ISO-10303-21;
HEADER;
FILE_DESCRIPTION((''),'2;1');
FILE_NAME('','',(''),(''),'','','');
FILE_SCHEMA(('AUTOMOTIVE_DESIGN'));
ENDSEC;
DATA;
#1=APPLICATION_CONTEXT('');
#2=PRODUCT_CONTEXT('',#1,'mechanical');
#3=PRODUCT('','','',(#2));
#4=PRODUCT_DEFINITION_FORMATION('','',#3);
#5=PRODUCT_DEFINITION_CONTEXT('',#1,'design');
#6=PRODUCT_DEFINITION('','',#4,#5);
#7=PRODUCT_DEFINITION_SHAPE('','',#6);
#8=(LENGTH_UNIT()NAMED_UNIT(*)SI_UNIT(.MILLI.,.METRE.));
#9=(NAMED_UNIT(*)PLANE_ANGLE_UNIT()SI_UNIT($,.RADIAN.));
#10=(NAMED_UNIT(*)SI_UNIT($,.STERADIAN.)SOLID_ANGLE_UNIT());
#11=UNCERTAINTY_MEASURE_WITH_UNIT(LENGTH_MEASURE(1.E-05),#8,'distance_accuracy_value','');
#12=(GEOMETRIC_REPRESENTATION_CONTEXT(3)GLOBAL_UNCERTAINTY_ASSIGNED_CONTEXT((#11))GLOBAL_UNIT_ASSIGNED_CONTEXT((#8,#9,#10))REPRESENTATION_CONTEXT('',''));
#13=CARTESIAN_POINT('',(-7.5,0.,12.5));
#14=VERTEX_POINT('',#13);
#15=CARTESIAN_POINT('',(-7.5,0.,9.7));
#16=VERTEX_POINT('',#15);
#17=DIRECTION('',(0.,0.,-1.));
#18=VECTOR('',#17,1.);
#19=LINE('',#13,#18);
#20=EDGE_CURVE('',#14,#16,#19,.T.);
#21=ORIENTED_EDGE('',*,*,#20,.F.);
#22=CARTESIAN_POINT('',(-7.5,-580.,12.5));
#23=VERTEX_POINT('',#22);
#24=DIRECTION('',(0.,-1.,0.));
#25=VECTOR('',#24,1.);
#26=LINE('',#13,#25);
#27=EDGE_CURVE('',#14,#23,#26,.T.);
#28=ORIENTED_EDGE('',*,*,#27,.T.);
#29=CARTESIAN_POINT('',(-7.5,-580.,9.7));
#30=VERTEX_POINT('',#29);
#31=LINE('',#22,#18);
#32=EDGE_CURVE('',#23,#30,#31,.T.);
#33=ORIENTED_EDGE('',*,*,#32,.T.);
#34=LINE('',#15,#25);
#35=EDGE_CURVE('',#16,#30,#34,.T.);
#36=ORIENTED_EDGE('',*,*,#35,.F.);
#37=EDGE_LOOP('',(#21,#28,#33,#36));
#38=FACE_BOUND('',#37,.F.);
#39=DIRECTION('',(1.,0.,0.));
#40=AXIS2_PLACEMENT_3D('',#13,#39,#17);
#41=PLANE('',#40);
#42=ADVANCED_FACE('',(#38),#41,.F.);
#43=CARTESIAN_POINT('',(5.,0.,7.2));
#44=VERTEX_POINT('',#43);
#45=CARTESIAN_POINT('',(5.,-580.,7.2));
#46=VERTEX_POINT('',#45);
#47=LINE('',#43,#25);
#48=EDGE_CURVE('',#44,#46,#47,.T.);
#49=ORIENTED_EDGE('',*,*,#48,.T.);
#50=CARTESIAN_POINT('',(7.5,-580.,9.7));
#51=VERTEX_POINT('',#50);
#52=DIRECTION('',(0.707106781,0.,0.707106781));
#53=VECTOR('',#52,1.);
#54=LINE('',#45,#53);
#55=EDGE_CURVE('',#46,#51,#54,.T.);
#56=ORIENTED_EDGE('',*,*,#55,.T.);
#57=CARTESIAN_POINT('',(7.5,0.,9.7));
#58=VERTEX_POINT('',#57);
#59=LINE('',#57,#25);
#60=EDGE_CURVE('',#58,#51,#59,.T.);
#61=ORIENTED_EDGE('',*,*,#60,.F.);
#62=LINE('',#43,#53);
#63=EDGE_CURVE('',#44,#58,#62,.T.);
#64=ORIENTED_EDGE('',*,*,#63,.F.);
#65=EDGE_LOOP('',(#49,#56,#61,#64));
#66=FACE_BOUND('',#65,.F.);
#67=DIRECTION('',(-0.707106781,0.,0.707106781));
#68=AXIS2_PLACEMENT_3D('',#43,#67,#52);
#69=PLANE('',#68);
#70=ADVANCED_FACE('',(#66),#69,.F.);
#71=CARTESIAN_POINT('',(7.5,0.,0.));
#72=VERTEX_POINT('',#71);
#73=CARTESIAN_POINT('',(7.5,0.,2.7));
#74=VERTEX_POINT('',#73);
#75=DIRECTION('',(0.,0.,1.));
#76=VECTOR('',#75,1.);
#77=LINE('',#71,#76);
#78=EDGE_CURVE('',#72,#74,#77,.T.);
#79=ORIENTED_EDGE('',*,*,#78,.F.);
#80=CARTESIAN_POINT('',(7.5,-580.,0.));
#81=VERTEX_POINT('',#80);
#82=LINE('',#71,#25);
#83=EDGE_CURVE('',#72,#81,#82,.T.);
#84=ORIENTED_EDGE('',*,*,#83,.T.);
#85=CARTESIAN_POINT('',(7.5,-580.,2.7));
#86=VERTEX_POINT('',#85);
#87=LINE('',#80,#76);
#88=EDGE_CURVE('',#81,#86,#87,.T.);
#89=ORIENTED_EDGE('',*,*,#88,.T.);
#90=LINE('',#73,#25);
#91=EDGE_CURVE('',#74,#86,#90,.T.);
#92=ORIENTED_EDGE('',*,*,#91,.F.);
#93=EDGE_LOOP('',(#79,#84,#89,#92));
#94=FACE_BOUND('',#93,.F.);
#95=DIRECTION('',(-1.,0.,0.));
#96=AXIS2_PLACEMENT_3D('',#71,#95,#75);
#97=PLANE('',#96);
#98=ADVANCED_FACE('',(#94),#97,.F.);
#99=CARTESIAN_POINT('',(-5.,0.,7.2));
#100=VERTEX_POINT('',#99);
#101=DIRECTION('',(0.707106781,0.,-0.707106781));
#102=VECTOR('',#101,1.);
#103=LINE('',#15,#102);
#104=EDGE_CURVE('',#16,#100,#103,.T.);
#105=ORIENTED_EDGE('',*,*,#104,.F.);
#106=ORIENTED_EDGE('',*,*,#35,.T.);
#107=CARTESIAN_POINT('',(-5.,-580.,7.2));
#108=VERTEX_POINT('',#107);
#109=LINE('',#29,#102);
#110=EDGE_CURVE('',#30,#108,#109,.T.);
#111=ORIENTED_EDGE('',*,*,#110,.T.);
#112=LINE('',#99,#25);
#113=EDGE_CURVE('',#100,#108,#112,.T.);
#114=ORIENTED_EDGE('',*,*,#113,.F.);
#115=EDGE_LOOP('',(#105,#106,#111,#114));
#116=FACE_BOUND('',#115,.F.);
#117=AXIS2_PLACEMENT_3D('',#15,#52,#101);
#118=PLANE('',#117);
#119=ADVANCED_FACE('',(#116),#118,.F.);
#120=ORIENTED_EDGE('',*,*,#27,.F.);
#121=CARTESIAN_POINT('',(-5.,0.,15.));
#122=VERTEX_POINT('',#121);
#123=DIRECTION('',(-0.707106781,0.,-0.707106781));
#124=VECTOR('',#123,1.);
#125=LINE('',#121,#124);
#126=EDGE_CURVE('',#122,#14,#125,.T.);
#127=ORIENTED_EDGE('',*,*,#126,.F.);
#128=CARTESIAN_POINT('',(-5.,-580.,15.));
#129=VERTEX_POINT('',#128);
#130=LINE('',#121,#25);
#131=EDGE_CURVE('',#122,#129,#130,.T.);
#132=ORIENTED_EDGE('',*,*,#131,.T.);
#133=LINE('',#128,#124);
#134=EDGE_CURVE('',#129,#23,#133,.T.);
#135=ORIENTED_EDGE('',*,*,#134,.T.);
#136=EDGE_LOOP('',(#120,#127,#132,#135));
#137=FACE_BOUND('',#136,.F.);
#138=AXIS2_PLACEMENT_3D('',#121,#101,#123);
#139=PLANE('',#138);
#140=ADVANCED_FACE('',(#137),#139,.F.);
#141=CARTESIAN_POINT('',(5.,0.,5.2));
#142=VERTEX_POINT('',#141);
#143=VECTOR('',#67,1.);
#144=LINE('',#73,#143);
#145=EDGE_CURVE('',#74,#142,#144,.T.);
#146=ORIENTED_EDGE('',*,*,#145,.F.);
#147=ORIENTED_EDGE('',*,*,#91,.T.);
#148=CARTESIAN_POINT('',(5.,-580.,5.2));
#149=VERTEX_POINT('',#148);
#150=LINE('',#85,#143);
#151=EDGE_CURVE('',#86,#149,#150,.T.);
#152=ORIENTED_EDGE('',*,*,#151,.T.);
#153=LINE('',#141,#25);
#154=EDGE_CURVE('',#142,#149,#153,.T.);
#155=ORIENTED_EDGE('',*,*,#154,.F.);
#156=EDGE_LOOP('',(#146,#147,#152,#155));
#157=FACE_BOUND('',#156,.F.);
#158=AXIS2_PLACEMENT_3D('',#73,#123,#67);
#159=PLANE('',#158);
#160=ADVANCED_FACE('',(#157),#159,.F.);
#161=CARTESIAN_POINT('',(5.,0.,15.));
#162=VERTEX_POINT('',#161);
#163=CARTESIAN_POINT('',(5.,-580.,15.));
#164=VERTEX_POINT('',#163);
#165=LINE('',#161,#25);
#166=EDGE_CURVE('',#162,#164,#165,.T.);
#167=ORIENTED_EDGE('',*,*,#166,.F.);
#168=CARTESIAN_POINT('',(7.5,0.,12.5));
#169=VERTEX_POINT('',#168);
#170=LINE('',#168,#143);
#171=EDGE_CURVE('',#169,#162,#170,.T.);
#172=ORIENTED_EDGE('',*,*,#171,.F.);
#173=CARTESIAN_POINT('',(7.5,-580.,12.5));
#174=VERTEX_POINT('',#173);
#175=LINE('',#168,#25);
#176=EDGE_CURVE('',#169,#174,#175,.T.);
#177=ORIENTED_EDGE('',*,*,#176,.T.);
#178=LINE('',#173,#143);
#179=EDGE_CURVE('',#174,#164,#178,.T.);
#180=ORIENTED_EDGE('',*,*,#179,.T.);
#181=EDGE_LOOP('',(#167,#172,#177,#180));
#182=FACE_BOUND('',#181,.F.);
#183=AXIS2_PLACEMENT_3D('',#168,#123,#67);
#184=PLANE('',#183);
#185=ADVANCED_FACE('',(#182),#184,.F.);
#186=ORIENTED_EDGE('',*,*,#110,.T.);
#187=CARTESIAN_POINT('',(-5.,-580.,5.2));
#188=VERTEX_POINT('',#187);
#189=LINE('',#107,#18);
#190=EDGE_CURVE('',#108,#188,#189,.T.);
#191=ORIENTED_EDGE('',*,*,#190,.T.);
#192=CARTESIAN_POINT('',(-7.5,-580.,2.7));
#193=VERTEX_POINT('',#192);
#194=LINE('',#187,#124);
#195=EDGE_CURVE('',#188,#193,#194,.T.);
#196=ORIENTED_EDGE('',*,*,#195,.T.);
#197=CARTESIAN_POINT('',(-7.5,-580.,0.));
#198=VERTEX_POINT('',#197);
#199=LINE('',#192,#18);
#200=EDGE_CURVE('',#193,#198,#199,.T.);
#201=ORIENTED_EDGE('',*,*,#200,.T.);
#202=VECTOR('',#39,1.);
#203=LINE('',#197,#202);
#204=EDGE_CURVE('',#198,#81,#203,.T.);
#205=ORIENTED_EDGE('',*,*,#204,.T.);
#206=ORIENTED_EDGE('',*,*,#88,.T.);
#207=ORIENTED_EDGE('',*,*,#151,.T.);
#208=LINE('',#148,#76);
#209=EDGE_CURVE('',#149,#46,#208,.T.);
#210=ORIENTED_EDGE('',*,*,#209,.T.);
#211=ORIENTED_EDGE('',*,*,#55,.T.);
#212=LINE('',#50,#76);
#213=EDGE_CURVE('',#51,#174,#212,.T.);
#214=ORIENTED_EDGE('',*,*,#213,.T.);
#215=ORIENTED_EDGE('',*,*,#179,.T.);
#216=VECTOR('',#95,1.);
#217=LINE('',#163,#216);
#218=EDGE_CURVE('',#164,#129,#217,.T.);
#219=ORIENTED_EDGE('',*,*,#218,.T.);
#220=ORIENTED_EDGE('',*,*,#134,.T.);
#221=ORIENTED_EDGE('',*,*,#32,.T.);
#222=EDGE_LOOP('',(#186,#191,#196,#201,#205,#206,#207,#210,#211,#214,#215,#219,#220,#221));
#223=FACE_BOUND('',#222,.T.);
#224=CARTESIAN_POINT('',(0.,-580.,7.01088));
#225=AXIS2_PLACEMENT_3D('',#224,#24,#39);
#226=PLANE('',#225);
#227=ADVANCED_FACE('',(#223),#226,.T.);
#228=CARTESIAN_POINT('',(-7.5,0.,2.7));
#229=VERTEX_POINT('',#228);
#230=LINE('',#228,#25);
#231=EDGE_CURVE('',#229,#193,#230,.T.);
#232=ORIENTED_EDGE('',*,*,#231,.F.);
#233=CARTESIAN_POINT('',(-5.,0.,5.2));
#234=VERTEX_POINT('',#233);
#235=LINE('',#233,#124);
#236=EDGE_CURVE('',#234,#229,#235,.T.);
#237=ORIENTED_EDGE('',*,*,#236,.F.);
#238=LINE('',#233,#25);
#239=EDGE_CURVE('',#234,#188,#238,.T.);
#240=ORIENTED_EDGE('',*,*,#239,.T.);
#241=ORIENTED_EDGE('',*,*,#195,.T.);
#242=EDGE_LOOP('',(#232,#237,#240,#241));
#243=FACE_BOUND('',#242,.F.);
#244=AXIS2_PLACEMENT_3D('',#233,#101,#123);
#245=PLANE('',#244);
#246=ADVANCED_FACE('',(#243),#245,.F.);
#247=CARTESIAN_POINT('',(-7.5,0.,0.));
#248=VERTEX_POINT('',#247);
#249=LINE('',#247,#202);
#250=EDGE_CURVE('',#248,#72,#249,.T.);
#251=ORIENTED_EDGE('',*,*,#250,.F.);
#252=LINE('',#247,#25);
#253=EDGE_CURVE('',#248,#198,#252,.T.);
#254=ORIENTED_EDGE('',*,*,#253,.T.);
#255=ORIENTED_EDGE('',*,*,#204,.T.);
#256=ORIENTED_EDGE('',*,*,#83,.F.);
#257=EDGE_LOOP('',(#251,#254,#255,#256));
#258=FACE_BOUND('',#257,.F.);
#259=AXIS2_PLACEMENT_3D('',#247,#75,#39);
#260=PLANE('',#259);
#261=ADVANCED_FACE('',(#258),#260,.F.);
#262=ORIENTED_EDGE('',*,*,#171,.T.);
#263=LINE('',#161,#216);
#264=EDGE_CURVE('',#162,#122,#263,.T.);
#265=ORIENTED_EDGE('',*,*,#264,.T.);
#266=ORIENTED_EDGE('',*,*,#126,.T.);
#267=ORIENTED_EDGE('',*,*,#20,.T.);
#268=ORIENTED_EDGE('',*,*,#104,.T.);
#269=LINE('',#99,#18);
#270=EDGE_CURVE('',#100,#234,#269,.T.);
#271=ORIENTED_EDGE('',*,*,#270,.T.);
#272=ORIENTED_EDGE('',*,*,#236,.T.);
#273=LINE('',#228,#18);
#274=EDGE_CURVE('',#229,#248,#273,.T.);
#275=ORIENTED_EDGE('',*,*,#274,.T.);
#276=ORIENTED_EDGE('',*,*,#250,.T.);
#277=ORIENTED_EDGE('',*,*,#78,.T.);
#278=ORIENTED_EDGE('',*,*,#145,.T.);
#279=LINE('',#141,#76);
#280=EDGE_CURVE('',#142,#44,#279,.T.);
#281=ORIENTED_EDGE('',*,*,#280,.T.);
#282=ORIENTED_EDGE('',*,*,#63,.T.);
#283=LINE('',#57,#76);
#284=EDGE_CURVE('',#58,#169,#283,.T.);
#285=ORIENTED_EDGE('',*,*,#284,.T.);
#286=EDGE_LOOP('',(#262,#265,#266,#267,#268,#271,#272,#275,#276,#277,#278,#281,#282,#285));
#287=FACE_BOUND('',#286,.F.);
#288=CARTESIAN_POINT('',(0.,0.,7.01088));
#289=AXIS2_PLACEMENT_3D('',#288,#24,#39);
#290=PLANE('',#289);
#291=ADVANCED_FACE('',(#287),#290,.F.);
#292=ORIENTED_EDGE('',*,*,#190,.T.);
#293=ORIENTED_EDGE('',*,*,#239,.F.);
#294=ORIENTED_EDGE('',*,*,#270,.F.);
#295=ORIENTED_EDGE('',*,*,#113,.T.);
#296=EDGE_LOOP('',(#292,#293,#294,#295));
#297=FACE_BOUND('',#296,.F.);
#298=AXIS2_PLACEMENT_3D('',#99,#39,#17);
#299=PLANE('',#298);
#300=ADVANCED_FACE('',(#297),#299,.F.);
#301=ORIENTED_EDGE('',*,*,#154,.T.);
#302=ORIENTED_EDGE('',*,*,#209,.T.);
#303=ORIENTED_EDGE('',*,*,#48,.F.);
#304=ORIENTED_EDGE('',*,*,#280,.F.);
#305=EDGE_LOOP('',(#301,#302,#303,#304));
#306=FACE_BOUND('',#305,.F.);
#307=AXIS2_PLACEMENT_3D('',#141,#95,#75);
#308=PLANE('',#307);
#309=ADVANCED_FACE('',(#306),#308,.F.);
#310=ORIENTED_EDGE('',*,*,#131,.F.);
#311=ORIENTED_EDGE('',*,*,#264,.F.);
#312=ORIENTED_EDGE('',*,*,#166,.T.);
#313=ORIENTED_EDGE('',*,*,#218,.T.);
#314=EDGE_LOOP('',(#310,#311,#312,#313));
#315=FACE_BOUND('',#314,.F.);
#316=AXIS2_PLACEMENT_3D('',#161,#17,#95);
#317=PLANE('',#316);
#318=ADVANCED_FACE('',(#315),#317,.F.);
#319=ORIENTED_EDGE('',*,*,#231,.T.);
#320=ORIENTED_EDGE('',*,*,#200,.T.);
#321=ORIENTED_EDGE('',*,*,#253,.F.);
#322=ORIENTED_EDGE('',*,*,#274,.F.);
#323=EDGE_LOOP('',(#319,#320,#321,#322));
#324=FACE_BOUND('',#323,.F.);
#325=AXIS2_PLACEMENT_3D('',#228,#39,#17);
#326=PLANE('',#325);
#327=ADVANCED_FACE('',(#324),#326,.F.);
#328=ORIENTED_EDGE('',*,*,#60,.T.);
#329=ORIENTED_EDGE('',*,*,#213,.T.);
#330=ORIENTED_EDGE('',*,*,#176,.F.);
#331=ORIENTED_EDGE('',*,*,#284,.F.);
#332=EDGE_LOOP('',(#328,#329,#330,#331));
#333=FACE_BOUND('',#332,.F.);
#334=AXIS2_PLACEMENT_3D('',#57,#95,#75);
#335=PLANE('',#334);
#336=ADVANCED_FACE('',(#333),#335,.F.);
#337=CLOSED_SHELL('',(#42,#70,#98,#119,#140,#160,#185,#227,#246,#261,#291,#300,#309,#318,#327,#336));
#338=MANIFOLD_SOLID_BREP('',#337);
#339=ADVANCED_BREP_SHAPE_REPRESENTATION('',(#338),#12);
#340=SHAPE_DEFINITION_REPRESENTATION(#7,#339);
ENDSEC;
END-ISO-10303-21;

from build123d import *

# Parameters (mm, degrees)
PAD_DEPTH = 580


with BuildPart() as part:
    # Sketch → Pad (new body)
    with BuildSketch(Plane.XZ):
        Polygon((-7.5, 0), (7.5, 0), (7.5, 2.7), (5, 5.2), (5, 7.2), (7.5, 9.7), (7.5, 12.5), (5, 15), (-5, 15), (-7.5, 12.5), (-7.5, 9.7), (-5, 7.2), (-5, 5.2), (-7.5, 2.7), align=None)
    extrude(amount=PAD_DEPTH)


solid = part.part
